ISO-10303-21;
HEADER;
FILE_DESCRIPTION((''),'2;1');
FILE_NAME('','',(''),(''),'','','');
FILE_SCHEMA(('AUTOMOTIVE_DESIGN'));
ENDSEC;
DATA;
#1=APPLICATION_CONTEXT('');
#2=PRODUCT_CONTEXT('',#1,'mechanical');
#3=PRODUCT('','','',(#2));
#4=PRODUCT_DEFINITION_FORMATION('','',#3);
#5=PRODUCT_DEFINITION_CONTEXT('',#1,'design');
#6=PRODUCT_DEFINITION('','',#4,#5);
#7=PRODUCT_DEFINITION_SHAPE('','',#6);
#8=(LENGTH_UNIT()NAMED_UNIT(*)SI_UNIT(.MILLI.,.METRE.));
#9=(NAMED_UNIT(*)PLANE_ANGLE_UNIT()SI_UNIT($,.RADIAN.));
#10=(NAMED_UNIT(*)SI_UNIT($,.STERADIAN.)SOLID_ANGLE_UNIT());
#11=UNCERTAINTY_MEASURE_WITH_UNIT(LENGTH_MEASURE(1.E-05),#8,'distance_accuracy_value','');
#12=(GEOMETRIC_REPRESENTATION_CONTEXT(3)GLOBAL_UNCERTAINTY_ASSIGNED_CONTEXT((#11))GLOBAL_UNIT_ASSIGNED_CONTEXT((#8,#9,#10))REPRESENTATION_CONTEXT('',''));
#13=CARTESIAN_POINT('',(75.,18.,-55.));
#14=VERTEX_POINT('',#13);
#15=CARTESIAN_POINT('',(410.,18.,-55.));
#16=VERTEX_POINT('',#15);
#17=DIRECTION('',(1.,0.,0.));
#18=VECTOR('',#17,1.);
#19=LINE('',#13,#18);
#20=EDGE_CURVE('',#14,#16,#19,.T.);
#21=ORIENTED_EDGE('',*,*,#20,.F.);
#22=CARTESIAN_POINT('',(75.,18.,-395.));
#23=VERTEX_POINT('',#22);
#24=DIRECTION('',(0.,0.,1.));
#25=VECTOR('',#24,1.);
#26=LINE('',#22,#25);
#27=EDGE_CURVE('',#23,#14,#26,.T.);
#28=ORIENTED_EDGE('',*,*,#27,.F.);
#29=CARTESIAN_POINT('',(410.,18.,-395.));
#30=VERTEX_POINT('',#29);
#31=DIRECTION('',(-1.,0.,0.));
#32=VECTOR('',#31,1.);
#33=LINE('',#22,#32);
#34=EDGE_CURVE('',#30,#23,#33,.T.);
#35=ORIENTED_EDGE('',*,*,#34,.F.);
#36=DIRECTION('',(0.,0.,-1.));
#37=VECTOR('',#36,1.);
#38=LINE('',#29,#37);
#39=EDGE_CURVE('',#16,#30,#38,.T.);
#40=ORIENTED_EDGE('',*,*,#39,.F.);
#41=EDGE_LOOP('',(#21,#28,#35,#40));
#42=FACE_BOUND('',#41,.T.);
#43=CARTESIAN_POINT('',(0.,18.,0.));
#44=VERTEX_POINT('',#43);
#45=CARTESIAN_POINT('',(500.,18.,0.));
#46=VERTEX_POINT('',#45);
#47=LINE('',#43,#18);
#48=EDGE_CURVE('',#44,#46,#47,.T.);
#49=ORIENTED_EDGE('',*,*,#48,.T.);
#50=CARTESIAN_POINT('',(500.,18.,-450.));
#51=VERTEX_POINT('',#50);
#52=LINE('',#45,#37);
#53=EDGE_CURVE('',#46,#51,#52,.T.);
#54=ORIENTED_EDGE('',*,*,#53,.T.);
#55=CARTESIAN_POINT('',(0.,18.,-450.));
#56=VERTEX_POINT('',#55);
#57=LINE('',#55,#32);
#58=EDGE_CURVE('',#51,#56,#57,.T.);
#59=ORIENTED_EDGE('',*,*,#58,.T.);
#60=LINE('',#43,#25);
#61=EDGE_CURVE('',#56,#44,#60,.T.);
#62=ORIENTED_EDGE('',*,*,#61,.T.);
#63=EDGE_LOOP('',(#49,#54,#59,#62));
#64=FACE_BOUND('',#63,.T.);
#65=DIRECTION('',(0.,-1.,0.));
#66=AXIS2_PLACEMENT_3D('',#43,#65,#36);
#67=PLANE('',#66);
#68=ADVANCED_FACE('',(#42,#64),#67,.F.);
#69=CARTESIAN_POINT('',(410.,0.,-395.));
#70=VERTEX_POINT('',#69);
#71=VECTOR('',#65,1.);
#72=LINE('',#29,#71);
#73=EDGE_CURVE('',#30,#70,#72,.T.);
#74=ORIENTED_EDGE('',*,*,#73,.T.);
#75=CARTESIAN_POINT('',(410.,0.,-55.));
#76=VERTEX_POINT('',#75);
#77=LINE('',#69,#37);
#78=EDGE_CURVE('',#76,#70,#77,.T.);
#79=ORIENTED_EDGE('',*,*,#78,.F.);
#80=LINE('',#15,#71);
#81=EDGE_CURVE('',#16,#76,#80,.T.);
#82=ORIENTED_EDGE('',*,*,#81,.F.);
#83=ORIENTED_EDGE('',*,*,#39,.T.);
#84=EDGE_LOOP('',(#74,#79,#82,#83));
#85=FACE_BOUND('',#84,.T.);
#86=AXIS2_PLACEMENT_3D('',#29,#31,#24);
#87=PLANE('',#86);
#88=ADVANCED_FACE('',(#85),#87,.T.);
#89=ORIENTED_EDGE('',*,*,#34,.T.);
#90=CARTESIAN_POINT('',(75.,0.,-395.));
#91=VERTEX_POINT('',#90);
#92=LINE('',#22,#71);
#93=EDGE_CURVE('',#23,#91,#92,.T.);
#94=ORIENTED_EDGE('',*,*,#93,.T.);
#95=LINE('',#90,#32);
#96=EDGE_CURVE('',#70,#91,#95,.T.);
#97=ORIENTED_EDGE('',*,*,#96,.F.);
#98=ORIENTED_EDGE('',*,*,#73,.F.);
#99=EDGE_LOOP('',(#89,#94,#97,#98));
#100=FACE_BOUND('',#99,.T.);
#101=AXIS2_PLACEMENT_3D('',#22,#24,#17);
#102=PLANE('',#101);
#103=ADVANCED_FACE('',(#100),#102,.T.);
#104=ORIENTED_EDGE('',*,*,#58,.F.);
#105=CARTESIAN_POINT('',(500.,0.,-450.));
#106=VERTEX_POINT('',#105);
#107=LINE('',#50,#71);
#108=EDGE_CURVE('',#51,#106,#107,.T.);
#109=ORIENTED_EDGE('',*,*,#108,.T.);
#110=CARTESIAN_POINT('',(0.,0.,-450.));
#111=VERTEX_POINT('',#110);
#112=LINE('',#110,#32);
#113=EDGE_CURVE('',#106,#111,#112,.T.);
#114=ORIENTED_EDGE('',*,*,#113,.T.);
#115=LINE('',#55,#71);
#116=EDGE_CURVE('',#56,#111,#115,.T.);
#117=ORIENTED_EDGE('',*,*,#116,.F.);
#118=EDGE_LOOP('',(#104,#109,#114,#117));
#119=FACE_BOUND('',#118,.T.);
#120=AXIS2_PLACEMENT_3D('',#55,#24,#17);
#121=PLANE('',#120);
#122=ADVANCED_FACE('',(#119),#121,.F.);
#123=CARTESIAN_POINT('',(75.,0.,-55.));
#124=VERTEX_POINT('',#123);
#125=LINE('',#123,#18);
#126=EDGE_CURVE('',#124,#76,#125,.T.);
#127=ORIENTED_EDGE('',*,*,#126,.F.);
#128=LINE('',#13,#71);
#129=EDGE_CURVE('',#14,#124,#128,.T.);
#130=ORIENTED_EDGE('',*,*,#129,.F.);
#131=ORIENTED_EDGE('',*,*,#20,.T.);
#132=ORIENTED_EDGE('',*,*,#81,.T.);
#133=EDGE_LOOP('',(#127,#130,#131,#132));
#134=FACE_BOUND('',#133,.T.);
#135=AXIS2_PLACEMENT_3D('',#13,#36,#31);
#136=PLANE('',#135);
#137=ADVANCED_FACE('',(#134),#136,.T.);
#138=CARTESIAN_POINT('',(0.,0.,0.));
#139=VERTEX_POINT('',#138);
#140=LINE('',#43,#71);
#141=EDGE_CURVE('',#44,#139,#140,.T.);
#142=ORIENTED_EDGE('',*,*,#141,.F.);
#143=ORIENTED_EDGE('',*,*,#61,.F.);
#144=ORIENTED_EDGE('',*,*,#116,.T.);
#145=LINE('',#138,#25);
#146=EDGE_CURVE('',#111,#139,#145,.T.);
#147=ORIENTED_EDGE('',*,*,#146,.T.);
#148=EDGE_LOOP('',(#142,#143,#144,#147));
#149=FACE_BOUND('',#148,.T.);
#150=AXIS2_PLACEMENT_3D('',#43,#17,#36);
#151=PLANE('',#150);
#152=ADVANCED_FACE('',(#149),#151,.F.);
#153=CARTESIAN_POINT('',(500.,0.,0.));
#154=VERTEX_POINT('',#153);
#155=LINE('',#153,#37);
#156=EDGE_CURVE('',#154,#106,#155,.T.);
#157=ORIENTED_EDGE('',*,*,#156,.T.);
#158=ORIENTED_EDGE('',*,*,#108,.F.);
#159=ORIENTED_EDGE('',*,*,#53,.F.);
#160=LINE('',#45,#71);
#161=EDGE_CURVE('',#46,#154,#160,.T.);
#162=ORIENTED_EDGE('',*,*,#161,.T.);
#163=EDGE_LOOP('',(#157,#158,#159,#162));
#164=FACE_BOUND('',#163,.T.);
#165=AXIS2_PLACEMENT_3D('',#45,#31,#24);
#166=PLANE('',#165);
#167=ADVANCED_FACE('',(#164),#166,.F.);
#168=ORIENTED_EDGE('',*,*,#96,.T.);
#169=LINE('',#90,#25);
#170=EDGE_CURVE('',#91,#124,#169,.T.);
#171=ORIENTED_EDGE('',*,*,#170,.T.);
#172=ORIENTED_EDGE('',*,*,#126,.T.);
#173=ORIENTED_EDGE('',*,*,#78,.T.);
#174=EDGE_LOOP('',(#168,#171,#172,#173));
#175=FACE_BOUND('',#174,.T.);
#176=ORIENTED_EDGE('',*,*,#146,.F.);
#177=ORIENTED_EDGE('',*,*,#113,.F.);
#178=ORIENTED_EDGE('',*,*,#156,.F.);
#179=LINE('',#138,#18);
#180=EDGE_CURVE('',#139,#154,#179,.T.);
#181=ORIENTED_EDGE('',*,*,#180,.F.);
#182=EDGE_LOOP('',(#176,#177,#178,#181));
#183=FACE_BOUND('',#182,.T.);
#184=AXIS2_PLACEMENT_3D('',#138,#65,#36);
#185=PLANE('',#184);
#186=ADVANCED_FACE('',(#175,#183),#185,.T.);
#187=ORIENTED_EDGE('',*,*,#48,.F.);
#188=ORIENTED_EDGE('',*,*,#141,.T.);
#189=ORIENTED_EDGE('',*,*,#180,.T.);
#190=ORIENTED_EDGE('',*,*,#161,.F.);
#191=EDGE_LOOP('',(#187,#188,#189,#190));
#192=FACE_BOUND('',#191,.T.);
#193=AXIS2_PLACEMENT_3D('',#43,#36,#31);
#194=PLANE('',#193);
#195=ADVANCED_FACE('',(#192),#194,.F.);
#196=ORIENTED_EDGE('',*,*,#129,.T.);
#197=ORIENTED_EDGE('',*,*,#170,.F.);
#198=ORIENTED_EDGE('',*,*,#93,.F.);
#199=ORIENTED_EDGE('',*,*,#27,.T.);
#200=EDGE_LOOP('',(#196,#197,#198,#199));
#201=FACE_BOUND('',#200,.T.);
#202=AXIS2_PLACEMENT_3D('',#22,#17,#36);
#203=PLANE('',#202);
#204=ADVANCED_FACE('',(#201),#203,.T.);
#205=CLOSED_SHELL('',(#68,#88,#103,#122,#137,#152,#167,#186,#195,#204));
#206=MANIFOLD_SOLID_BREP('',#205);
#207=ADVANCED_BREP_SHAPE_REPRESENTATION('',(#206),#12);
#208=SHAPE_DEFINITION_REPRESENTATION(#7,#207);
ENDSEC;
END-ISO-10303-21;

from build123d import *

# Parameters (mm, degrees)
SKETCH1_W           = 500
SKETCH1_H           = 450
SKETCH1_W_2         = 335
SKETCH1_H_2         = 340
BOSS_EXTRUDE1_DEPTH = 18


with BuildPart() as part:
    # Sketch1 → Boss-Extrude1 (new body)
    with BuildSketch(Plane(origin=(0, 0, 0), x_dir=(1, 0, 0), z_dir=(0, 1, 0))):
        with Locations((250, 225)):
            Rectangle(SKETCH1_W, SKETCH1_H)
        with Locations((242.5, 225)):
            Rectangle(SKETCH1_W_2, SKETCH1_H_2, mode=Mode.SUBTRACT)
    extrude(amount=BOSS_EXTRUDE1_DEPTH)


solid = part.part
